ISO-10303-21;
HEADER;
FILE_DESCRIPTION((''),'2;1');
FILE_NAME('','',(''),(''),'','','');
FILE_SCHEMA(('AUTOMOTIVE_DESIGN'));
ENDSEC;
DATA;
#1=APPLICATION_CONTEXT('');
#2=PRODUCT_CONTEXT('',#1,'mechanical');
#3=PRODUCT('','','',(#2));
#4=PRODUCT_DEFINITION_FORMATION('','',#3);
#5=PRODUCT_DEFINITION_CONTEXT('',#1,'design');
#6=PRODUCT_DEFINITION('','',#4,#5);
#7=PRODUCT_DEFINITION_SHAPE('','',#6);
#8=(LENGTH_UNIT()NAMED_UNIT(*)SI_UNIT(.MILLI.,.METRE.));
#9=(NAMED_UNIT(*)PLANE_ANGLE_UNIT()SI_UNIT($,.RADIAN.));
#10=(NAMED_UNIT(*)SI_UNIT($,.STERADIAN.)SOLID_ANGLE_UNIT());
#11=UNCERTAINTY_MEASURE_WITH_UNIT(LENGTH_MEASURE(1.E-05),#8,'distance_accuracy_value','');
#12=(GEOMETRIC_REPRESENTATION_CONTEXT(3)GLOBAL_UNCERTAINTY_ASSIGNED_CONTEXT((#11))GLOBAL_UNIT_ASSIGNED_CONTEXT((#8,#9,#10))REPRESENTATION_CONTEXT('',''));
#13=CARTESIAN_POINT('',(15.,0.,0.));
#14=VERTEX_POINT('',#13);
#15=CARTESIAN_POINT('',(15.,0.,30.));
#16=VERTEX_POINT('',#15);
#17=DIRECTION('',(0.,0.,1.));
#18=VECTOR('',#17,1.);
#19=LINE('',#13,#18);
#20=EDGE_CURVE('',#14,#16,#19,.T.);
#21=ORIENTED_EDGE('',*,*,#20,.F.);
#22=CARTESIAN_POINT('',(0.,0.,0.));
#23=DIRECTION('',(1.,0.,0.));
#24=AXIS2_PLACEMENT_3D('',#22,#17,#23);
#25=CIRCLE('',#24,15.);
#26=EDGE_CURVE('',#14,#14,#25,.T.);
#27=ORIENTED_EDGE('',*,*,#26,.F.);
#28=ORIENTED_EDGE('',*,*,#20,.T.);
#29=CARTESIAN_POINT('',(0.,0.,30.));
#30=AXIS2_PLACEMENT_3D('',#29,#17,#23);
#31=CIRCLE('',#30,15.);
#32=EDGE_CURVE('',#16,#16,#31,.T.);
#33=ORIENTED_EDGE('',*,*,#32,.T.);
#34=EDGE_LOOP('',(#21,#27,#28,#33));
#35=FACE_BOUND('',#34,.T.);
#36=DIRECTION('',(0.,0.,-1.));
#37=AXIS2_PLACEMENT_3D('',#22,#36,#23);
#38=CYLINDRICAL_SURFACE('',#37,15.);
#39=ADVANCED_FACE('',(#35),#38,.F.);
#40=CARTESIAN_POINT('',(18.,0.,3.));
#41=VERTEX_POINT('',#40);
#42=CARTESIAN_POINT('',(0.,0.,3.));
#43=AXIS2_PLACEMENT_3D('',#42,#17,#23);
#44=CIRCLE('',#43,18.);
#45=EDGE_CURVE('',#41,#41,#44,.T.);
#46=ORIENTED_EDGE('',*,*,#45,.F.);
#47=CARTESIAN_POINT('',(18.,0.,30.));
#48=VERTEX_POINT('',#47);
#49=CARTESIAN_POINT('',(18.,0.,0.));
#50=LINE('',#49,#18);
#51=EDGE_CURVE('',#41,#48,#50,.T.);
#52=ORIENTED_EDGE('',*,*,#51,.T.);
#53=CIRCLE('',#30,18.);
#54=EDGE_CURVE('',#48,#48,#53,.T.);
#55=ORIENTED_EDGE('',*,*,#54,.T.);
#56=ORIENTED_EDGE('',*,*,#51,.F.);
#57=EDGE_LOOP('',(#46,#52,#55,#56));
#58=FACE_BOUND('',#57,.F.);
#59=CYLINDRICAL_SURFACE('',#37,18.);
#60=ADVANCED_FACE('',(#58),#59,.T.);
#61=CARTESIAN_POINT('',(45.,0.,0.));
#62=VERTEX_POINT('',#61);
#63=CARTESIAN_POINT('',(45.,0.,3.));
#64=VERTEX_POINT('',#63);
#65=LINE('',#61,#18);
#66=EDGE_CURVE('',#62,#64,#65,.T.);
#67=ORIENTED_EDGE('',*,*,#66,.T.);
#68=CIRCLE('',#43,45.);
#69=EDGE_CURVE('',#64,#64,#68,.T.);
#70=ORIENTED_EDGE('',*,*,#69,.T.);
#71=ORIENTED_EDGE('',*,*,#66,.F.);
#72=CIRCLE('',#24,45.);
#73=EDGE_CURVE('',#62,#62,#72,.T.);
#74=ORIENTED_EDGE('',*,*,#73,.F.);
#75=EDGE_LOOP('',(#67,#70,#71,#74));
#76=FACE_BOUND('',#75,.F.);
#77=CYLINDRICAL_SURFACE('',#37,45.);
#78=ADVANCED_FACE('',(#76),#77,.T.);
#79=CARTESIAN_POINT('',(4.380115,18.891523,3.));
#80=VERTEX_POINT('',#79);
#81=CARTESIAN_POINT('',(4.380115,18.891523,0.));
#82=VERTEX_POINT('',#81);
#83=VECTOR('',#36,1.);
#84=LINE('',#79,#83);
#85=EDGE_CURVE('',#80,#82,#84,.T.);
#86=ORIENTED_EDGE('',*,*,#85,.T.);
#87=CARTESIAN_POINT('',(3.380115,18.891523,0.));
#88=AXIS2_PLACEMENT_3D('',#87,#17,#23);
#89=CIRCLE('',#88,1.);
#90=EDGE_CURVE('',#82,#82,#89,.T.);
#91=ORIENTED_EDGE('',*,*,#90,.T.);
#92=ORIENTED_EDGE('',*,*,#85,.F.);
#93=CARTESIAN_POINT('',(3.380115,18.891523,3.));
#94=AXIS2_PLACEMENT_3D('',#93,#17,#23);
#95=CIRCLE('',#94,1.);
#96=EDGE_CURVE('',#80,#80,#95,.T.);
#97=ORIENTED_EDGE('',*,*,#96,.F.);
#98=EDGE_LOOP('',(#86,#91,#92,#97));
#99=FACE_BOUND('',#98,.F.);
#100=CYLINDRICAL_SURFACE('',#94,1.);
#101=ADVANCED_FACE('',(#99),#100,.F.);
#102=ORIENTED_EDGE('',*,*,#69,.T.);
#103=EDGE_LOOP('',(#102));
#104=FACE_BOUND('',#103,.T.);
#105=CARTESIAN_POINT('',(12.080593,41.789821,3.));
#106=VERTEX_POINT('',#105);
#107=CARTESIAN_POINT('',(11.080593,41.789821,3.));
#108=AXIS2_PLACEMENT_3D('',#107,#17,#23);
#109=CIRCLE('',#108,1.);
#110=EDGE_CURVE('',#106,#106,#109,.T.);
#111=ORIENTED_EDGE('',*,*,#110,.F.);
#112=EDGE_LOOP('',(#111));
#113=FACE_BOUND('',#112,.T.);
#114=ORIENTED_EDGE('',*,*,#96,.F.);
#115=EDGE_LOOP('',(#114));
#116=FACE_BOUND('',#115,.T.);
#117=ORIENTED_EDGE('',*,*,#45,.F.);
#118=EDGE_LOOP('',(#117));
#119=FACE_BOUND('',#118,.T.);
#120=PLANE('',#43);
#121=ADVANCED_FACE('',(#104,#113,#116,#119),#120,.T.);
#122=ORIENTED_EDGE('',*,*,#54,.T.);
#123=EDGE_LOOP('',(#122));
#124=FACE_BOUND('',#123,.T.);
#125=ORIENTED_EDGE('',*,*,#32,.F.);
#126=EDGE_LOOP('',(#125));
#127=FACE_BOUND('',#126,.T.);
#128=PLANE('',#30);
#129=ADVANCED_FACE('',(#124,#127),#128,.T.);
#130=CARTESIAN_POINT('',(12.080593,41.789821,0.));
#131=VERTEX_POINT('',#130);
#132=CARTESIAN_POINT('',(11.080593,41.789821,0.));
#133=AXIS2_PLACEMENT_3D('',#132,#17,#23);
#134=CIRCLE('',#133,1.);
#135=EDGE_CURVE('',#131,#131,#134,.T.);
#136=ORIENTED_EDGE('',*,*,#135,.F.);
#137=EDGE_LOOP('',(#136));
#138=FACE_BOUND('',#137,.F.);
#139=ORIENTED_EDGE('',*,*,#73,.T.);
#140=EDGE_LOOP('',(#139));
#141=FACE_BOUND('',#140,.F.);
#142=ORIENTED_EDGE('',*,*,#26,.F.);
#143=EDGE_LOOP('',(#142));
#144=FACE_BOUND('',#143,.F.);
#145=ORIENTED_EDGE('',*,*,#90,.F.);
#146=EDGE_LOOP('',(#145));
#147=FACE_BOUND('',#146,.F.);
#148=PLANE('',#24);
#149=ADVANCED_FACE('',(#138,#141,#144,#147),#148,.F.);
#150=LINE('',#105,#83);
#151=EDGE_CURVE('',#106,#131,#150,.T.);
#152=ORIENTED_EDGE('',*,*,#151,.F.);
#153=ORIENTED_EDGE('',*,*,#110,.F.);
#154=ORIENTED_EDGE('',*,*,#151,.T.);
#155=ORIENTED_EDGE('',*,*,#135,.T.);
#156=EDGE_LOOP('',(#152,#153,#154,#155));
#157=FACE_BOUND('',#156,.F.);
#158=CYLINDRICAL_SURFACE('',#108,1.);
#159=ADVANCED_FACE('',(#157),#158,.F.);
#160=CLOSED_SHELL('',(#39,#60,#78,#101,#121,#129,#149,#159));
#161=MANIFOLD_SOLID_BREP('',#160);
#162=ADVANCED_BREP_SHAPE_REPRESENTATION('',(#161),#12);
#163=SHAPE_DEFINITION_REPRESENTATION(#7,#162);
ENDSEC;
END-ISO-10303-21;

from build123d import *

# Parameters (mm, degrees)
F0_R     = 18
F0_R_2   = 15
F1_DEPTH = 30
F0_R_3   = 45
F2_DEPTH = 3
F3_R     = 1
F4_DEPTH = 32.8
F5_DEPTH = 25


with BuildPart() as f1:
    # F0 (on Top) → F1 (new body)
    with BuildSketch(Plane.XY):
        Circle(F0_R)
        Circle(F0_R_2, mode=Mode.SUBTRACT)
    extrude(amount=F1_DEPTH)

    # F0 (on Top) → F2 (join)
    with BuildSketch(Plane.XY):
        Circle(F0_R_3)
        Circle(F0_R, mode=Mode.SUBTRACT)
    extrude(amount=F2_DEPTH)

    # F3 (on face) → F4 (cut)
    with BuildSketch(Plane.XY.offset(3)):
        with Locations((3.380115, 18.891523)):
            Circle(F3_R)
    extrude(amount=-F4_DEPTH, mode=Mode.SUBTRACT)

    # F3 (on face) → F5 (cut)
    with BuildSketch(Plane.XY.offset(3)):
        with Locations((3.380115, 18.891523)):
            Circle(F3_R)
        with Locations((11.080593, 41.789821)):
            Circle(F3_R)
    extrude(amount=-F5_DEPTH, mode=Mode.SUBTRACT)


solid = f1.part
